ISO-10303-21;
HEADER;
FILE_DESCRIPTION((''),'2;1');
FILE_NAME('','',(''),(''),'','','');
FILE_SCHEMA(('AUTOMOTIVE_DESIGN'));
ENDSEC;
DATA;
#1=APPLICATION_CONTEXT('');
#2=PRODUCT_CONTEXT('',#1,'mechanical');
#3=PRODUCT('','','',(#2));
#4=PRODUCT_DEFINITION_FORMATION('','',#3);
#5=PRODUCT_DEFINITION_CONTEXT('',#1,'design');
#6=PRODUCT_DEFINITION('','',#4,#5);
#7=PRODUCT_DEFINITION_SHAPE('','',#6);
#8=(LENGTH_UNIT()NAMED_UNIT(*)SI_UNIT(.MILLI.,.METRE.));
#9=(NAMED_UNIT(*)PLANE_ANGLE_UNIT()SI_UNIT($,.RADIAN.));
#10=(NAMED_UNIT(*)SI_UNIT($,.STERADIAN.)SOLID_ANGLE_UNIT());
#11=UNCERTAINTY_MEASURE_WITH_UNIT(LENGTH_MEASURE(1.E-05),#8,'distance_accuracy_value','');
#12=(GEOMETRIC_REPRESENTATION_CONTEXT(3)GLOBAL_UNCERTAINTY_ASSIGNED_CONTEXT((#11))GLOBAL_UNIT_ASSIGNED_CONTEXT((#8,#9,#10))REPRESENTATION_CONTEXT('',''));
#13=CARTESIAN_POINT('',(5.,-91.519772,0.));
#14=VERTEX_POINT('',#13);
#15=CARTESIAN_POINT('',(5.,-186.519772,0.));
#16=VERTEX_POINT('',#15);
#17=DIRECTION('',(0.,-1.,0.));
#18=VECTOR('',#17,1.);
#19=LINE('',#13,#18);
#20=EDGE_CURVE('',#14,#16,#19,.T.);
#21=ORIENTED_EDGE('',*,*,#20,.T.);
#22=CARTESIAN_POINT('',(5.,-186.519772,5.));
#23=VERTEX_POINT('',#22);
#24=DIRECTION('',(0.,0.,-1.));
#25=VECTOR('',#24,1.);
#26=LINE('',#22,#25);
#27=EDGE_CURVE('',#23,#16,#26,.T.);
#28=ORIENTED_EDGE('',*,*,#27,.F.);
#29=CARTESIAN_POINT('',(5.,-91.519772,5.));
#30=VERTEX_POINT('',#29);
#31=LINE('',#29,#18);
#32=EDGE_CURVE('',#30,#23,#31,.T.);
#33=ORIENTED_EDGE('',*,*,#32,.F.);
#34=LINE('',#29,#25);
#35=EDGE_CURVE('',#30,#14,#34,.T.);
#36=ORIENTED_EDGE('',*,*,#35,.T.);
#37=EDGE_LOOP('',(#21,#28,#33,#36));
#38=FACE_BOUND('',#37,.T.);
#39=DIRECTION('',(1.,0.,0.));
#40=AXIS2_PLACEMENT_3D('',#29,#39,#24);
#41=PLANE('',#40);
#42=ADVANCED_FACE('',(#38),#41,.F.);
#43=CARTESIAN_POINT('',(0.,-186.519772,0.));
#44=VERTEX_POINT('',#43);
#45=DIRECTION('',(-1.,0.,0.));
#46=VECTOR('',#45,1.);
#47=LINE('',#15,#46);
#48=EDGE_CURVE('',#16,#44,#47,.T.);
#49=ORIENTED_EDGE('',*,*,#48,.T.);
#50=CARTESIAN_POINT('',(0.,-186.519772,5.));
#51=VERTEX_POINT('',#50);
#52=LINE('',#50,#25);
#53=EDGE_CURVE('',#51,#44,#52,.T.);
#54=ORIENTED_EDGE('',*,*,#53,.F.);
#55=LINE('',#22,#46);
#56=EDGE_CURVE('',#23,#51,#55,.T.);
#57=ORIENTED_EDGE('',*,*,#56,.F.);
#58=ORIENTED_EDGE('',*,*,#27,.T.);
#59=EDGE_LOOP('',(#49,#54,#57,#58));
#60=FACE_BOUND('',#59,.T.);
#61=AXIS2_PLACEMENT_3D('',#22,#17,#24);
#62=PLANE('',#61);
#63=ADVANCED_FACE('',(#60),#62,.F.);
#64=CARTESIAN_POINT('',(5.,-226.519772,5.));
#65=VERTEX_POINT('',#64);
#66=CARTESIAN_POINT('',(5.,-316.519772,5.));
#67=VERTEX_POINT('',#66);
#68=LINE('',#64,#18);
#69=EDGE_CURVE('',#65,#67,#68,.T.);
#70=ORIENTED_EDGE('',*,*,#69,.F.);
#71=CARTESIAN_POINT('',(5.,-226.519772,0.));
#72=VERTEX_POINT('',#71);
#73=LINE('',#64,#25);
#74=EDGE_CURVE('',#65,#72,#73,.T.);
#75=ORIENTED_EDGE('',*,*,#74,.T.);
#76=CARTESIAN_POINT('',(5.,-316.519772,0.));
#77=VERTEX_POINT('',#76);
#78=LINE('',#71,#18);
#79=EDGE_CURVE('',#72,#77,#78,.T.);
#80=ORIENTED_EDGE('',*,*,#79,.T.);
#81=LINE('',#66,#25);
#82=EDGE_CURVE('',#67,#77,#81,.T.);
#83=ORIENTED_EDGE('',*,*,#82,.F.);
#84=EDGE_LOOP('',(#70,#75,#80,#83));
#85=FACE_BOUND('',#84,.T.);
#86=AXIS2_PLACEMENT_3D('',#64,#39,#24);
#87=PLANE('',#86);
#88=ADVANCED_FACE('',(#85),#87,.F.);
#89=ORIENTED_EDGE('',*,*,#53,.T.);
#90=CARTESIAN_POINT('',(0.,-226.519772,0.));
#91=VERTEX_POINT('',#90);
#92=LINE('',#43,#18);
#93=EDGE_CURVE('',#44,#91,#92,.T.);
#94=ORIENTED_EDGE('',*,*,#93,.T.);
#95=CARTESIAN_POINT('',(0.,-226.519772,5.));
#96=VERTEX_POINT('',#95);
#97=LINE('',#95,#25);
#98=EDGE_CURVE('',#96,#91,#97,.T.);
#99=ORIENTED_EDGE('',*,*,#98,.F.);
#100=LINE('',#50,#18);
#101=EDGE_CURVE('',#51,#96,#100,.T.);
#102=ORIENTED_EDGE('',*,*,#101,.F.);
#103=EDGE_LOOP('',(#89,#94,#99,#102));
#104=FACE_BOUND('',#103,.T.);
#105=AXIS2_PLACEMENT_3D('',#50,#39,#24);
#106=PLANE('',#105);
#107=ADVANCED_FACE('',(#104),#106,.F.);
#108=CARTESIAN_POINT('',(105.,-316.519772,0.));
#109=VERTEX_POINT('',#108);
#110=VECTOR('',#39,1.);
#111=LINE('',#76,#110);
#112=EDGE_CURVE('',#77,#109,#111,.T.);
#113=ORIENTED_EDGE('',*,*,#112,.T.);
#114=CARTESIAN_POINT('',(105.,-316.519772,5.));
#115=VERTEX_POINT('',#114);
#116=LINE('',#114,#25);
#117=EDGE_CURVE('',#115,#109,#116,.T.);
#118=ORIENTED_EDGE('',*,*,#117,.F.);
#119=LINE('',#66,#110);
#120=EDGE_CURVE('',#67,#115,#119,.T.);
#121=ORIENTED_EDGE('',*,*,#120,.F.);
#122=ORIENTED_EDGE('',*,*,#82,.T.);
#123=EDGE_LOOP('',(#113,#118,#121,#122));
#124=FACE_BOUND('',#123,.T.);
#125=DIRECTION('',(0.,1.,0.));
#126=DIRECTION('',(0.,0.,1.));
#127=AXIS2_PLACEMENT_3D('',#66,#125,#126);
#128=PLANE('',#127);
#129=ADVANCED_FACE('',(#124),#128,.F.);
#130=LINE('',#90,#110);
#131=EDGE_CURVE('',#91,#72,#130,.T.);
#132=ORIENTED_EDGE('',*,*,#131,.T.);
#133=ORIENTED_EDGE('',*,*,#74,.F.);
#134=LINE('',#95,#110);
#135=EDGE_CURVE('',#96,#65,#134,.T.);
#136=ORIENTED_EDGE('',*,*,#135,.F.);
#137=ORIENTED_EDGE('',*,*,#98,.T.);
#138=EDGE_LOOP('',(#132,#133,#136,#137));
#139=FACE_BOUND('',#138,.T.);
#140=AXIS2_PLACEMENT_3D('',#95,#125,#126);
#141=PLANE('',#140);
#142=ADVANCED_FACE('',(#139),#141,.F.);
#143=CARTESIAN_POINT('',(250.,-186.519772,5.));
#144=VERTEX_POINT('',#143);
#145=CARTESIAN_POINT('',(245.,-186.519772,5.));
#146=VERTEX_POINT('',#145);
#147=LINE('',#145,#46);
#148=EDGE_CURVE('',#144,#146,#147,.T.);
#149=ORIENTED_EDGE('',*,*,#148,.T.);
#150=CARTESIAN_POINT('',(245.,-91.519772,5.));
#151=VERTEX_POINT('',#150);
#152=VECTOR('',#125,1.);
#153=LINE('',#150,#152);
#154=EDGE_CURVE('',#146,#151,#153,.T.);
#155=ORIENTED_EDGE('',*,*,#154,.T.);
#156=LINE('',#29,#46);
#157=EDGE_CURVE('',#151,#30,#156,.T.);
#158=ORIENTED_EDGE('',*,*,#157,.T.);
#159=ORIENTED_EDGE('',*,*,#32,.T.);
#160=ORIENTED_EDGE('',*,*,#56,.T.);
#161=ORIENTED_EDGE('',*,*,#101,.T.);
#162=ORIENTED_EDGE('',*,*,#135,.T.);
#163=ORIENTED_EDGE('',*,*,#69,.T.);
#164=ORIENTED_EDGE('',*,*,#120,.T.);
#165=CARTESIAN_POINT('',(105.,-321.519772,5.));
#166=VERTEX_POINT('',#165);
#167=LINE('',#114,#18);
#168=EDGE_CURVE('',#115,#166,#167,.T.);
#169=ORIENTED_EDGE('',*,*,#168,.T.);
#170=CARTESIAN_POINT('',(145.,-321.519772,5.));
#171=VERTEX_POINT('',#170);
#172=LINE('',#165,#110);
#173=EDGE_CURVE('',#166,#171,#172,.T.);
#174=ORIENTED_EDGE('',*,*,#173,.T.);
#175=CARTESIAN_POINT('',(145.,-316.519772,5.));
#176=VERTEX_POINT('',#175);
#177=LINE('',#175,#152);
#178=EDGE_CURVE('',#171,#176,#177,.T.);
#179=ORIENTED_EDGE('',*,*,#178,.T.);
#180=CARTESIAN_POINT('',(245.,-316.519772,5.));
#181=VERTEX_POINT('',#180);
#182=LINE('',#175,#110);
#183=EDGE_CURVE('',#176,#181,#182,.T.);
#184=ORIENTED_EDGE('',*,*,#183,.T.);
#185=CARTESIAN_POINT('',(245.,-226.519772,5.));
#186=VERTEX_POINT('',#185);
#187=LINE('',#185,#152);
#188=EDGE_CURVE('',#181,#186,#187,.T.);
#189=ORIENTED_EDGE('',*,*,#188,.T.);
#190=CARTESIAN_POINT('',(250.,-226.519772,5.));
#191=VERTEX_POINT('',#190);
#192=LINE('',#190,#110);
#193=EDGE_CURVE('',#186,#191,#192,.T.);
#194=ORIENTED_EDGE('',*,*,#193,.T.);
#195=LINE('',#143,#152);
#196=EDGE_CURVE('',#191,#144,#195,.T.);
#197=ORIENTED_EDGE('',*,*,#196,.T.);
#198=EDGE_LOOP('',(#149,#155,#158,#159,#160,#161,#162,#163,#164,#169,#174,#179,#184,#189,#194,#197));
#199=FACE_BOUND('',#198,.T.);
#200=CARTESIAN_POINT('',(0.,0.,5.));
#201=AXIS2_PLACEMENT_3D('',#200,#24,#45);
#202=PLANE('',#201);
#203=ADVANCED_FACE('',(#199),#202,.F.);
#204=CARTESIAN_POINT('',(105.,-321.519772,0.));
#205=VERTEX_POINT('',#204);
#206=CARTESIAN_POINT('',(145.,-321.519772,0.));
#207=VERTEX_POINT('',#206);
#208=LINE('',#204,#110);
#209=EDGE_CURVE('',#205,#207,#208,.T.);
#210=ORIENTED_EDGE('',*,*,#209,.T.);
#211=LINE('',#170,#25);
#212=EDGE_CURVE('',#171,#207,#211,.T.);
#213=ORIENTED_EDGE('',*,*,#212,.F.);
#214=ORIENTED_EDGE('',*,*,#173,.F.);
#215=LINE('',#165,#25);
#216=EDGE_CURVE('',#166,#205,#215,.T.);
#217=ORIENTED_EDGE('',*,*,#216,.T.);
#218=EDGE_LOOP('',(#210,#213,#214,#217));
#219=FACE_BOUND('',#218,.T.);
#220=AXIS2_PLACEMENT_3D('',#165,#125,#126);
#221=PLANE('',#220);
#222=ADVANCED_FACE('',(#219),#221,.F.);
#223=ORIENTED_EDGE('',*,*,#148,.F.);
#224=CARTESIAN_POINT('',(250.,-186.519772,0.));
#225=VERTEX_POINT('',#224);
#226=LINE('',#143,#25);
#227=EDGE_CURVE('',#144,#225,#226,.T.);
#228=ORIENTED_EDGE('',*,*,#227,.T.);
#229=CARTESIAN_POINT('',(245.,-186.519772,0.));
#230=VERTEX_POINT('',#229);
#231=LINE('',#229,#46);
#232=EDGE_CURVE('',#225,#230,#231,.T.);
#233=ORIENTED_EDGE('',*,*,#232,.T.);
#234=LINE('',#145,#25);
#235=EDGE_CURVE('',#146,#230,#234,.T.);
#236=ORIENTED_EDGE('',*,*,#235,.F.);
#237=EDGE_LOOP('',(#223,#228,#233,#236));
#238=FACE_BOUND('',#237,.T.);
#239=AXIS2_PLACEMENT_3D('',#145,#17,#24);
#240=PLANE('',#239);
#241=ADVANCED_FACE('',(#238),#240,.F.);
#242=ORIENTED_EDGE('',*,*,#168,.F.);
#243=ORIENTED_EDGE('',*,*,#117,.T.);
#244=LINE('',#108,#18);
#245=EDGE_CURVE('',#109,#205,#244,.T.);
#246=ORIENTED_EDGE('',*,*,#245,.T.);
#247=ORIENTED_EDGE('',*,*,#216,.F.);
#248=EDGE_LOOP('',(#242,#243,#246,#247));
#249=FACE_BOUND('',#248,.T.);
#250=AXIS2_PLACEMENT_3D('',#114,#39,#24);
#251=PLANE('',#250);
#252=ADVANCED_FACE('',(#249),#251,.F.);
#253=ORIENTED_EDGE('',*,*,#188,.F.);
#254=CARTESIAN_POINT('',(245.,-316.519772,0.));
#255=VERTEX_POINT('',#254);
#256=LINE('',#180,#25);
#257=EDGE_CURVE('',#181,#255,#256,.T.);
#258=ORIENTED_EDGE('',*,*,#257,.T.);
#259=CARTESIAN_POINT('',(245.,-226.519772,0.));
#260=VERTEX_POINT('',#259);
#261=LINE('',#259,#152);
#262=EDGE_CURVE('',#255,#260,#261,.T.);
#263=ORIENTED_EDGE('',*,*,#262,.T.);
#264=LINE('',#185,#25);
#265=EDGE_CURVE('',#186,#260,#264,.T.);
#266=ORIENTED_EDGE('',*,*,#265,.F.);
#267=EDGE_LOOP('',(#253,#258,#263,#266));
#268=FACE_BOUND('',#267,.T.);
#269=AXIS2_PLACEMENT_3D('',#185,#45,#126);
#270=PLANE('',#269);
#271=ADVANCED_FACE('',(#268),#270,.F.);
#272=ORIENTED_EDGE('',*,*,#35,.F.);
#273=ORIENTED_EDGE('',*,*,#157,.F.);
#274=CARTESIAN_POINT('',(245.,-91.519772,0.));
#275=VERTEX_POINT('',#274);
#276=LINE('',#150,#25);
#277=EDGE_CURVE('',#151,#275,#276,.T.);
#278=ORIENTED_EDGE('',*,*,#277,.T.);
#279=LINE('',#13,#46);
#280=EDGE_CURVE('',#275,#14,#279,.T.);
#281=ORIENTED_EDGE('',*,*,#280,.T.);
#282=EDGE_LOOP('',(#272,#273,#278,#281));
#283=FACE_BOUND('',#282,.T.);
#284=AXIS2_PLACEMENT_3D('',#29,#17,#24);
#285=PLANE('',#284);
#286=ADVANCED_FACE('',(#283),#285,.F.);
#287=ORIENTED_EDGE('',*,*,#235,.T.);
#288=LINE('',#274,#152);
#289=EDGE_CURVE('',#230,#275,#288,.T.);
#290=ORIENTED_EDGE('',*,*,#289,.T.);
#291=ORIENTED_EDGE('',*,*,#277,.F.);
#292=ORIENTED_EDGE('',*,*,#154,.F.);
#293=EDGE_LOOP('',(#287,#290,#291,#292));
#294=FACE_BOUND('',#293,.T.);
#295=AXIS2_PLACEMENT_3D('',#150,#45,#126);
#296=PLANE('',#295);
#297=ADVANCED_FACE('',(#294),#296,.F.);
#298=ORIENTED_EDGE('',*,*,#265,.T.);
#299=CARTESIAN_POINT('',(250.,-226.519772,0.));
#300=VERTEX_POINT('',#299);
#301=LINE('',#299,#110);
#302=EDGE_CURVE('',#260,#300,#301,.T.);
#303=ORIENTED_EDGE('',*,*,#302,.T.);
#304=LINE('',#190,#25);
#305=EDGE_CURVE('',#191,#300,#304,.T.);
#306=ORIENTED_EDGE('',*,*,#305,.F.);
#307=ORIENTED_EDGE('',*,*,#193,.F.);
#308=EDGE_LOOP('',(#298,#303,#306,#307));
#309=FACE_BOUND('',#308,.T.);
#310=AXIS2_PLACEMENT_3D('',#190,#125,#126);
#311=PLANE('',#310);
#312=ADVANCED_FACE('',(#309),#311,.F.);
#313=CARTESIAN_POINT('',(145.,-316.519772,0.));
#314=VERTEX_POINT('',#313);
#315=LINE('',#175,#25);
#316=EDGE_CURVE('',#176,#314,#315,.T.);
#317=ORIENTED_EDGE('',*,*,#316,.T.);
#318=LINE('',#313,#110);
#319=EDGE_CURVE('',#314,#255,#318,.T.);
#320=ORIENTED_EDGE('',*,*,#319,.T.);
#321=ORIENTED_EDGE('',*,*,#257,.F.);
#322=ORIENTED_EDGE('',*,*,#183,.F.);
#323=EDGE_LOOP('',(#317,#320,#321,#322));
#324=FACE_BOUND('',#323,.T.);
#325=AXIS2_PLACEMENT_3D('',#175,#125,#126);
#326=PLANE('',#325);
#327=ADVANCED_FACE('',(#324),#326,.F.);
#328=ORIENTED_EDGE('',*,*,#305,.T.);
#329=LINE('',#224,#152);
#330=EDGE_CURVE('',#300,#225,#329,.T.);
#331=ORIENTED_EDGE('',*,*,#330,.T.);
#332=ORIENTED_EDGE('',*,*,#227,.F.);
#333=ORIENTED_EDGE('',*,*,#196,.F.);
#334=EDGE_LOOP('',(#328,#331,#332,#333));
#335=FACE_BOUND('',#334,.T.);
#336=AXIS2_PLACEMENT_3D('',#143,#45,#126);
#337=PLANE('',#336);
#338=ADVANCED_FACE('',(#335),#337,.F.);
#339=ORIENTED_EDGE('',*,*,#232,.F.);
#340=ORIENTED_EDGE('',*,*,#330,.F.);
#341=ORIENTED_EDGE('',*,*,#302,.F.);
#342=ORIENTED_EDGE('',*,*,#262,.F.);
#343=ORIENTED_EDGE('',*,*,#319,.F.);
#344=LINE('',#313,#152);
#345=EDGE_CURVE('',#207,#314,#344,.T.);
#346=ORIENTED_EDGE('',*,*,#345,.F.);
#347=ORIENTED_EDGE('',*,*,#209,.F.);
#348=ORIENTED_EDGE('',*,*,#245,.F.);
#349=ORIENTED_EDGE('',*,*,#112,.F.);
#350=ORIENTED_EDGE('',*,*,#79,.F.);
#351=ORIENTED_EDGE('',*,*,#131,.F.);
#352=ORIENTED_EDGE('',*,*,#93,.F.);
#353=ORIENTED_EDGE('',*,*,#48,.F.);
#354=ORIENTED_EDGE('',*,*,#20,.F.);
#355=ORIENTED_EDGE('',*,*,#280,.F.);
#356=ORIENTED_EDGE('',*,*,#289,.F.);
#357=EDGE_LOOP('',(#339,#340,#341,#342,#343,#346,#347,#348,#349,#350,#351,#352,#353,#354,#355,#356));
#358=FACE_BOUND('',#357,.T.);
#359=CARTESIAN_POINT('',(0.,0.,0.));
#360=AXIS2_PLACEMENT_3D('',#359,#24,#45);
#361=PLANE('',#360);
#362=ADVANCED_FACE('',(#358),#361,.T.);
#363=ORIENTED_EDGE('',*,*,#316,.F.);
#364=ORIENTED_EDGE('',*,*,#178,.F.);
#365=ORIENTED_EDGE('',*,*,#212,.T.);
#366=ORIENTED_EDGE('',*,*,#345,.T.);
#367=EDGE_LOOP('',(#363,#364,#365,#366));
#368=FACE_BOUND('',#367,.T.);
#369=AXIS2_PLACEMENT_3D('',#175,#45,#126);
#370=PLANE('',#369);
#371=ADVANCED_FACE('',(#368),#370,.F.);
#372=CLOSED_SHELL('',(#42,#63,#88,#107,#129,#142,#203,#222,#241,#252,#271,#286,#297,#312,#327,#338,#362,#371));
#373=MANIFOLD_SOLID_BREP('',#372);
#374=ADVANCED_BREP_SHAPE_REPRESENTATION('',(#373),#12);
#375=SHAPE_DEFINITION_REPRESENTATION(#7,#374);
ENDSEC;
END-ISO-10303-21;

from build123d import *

# Parameters (mm, degrees)
BOSS_EXTRU_1_DEPTH = 5


with BuildPart() as part:
    # Esquisse1 → Boss.-Extru.1 (new body)
    with BuildSketch(Plane.XY):
        Polygon((5, -91.519772216), (245, -91.519772216), (245, -186.519772216), (250, -186.519772216), (250, -226.519772216), (245, -226.519772216), (245, -316.519772216), (145, -316.519772216), (145, -321.519772216), (105, -321.519772216), (105, -316.519772216), (5, -316.519772216), (5, -226.519772216), (0, -226.519772216), (0, -186.519772216), (5, -186.519772216), align=None)
    extrude(amount=BOSS_EXTRU_1_DEPTH)


solid = part.part
